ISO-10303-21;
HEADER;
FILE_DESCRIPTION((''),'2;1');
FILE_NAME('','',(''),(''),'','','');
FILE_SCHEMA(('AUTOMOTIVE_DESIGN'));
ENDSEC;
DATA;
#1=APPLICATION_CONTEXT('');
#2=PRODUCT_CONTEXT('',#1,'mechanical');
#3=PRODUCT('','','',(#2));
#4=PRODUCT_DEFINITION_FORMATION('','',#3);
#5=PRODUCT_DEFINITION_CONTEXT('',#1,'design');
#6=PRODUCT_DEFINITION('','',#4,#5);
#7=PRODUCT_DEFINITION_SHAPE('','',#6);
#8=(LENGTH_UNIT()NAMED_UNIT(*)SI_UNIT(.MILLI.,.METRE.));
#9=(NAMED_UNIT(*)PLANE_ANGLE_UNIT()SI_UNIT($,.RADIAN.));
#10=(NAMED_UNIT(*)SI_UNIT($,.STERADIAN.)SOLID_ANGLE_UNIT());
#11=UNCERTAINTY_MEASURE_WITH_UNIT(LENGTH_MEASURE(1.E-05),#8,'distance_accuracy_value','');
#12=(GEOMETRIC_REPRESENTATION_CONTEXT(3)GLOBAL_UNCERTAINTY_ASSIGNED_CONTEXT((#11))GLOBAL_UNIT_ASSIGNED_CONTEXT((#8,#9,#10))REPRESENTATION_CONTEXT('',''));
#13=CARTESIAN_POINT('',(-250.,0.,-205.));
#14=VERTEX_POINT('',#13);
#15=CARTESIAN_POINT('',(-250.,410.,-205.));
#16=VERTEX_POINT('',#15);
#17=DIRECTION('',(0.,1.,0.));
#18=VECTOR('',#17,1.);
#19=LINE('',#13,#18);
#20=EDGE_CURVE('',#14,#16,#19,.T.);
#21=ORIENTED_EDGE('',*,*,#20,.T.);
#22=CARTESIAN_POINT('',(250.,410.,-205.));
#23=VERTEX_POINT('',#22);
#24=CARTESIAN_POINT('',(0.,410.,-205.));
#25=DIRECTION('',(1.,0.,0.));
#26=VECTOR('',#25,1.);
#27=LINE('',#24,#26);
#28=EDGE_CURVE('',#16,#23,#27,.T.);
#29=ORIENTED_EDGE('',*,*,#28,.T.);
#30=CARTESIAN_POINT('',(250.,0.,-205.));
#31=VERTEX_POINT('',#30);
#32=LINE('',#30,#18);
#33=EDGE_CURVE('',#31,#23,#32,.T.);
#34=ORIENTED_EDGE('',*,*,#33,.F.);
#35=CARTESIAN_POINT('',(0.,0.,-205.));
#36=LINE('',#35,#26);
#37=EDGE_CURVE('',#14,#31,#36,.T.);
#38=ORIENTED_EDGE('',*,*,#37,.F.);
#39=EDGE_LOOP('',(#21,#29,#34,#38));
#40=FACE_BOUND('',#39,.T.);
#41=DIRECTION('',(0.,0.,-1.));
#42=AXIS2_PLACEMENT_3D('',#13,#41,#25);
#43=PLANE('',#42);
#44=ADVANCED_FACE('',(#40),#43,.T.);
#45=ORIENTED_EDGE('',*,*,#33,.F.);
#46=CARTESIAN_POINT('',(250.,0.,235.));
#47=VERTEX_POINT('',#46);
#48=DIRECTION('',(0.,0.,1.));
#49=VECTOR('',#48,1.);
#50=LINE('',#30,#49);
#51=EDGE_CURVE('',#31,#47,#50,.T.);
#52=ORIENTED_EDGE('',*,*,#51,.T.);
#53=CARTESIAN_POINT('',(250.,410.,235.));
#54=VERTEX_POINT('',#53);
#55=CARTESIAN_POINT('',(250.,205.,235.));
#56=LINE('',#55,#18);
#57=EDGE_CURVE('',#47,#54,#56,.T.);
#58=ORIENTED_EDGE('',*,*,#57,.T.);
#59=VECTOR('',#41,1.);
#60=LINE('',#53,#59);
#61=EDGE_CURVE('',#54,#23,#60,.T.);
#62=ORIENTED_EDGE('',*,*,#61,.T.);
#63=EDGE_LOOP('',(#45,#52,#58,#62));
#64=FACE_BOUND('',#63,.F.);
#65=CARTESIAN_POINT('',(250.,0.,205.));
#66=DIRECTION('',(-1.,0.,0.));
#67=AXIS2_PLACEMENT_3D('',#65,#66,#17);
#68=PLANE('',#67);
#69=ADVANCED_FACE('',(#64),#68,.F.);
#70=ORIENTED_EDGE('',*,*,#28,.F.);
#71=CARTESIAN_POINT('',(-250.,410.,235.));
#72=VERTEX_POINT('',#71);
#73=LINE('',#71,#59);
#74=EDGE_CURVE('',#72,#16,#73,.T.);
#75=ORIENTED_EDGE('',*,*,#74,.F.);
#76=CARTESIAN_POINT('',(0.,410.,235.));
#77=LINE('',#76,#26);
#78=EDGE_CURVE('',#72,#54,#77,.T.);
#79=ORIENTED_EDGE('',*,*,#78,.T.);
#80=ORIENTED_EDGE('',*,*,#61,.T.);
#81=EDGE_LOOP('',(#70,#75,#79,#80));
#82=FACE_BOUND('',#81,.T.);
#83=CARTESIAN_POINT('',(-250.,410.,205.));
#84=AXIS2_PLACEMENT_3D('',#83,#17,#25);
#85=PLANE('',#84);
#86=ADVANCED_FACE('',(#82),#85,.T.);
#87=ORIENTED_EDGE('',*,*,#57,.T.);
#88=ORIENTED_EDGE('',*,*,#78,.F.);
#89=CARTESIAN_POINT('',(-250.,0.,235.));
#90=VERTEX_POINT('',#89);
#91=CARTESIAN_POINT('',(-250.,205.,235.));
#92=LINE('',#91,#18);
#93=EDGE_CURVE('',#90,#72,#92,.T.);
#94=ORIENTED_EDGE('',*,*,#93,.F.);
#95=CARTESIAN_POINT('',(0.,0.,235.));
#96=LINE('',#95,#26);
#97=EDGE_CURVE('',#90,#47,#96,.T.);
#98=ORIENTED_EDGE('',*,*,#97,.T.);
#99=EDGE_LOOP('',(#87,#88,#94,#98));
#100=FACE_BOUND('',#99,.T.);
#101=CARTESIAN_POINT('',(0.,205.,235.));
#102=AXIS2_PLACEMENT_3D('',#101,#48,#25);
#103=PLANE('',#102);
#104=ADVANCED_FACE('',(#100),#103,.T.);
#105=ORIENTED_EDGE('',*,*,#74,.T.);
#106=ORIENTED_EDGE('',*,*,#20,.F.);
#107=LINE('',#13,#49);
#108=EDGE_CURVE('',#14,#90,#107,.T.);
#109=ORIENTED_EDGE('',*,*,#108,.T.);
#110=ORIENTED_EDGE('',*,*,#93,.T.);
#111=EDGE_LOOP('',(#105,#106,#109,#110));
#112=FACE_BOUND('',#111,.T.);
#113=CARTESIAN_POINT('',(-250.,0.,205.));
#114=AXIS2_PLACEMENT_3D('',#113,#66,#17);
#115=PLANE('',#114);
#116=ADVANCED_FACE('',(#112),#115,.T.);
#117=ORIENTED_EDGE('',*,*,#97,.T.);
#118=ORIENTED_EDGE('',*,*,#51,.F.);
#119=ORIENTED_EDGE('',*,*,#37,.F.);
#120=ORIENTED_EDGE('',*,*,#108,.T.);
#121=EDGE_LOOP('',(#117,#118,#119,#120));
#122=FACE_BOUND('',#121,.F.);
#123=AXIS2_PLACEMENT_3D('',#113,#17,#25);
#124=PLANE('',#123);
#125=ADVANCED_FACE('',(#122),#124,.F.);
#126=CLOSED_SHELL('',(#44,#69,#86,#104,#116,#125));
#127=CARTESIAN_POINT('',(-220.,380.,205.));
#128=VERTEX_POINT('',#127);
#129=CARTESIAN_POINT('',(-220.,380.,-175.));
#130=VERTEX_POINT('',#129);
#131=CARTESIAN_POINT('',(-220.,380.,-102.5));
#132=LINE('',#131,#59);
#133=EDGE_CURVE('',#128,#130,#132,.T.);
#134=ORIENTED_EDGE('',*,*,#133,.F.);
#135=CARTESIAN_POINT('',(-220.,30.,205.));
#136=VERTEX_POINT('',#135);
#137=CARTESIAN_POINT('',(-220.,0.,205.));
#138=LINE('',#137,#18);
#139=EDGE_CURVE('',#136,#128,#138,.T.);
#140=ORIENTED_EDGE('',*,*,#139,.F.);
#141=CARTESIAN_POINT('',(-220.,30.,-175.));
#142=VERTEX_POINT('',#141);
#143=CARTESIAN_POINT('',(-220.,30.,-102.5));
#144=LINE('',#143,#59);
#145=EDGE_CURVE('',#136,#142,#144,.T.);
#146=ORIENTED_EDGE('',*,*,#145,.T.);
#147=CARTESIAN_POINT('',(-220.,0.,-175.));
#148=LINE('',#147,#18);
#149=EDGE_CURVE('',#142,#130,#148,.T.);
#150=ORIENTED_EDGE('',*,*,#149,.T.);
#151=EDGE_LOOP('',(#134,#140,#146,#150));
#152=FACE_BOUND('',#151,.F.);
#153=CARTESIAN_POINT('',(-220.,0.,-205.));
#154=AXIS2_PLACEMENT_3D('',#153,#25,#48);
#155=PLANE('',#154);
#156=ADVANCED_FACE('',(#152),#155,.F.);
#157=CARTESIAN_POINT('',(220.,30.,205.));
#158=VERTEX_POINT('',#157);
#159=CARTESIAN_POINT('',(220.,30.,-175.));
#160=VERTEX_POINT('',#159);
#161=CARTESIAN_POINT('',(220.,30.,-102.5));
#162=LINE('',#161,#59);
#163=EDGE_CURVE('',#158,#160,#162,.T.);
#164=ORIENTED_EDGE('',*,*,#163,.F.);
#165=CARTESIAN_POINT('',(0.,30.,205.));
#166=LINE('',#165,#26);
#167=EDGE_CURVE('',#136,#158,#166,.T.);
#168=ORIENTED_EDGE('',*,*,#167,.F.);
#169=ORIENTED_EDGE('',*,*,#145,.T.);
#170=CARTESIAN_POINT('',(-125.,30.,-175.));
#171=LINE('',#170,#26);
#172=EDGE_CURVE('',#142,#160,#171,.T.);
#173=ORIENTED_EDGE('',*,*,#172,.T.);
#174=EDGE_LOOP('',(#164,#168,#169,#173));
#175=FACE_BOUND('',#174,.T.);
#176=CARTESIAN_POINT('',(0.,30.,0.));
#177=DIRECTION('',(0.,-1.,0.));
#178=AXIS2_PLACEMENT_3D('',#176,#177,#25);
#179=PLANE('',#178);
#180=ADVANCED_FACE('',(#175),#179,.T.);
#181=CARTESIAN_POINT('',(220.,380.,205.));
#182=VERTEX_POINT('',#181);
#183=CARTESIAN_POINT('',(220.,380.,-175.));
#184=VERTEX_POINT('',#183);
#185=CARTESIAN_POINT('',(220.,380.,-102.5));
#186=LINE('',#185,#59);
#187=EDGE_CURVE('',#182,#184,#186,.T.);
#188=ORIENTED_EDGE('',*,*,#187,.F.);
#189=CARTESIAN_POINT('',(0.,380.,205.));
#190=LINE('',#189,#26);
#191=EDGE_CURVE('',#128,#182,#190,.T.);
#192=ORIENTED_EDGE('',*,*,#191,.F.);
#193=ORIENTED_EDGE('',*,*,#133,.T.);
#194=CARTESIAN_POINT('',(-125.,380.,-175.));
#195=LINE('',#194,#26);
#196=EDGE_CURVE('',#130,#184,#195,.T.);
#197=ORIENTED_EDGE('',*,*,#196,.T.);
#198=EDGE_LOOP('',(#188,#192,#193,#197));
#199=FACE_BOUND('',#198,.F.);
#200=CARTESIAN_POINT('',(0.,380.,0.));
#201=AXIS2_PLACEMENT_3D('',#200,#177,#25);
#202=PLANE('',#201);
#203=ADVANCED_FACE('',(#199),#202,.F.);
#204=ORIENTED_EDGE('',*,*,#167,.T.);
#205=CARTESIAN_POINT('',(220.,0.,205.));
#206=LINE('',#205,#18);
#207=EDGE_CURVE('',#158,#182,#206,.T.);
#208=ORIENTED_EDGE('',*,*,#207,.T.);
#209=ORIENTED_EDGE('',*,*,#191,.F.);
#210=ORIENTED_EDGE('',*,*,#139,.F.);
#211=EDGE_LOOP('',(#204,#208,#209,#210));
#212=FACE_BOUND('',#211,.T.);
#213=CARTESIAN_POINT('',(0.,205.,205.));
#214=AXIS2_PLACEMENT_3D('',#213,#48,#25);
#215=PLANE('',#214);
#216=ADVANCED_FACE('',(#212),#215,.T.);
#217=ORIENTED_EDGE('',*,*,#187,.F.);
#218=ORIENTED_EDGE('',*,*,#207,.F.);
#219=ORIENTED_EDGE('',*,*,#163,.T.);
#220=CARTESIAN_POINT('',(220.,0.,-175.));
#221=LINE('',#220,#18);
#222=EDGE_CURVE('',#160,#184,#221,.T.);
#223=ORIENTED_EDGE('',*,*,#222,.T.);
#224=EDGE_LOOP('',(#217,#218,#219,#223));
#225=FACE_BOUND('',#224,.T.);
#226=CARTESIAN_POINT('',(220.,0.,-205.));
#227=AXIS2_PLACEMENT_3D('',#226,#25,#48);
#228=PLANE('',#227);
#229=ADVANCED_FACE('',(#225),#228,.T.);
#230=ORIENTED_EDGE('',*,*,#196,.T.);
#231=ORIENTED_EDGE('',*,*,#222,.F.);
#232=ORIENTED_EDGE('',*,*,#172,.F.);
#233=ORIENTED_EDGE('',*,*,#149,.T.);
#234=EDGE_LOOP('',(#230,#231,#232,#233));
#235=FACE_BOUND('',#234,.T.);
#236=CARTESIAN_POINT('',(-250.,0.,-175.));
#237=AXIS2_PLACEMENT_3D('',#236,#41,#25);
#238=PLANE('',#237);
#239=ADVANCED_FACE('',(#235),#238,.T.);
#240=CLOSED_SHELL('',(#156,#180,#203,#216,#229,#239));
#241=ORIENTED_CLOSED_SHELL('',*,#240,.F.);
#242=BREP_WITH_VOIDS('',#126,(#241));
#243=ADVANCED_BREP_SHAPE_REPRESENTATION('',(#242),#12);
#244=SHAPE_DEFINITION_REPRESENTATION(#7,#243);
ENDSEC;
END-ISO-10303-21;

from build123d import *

# Parameters (mm, degrees)
F0_W     = 500
F0_H     = 410
F1_DEPTH = 410
F2_T     = -30
F3_W     = 500
F3_H     = 410
F4_DEPTH = 30


with BuildPart() as f1:
    # F0 (on Front) → F1 (new body)
    with BuildSketch(Plane.XZ):
        Rectangle(F0_W, F0_H)
    extrude(amount=-F1_DEPTH)

    # F2
    f2_openings = [f1.faces().sort_by_distance(p)[0] for p in [
        (0, 205, 205),
    ]]
    offset(amount=F2_T, openings=f2_openings)

    # F3 (on face) → F4 (join)
    with BuildSketch(Plane.XY.offset(205)):
        with Locations((0, 205)):
            Rectangle(F3_W, F3_H)
    extrude(amount=F4_DEPTH)


solid = f1.part
